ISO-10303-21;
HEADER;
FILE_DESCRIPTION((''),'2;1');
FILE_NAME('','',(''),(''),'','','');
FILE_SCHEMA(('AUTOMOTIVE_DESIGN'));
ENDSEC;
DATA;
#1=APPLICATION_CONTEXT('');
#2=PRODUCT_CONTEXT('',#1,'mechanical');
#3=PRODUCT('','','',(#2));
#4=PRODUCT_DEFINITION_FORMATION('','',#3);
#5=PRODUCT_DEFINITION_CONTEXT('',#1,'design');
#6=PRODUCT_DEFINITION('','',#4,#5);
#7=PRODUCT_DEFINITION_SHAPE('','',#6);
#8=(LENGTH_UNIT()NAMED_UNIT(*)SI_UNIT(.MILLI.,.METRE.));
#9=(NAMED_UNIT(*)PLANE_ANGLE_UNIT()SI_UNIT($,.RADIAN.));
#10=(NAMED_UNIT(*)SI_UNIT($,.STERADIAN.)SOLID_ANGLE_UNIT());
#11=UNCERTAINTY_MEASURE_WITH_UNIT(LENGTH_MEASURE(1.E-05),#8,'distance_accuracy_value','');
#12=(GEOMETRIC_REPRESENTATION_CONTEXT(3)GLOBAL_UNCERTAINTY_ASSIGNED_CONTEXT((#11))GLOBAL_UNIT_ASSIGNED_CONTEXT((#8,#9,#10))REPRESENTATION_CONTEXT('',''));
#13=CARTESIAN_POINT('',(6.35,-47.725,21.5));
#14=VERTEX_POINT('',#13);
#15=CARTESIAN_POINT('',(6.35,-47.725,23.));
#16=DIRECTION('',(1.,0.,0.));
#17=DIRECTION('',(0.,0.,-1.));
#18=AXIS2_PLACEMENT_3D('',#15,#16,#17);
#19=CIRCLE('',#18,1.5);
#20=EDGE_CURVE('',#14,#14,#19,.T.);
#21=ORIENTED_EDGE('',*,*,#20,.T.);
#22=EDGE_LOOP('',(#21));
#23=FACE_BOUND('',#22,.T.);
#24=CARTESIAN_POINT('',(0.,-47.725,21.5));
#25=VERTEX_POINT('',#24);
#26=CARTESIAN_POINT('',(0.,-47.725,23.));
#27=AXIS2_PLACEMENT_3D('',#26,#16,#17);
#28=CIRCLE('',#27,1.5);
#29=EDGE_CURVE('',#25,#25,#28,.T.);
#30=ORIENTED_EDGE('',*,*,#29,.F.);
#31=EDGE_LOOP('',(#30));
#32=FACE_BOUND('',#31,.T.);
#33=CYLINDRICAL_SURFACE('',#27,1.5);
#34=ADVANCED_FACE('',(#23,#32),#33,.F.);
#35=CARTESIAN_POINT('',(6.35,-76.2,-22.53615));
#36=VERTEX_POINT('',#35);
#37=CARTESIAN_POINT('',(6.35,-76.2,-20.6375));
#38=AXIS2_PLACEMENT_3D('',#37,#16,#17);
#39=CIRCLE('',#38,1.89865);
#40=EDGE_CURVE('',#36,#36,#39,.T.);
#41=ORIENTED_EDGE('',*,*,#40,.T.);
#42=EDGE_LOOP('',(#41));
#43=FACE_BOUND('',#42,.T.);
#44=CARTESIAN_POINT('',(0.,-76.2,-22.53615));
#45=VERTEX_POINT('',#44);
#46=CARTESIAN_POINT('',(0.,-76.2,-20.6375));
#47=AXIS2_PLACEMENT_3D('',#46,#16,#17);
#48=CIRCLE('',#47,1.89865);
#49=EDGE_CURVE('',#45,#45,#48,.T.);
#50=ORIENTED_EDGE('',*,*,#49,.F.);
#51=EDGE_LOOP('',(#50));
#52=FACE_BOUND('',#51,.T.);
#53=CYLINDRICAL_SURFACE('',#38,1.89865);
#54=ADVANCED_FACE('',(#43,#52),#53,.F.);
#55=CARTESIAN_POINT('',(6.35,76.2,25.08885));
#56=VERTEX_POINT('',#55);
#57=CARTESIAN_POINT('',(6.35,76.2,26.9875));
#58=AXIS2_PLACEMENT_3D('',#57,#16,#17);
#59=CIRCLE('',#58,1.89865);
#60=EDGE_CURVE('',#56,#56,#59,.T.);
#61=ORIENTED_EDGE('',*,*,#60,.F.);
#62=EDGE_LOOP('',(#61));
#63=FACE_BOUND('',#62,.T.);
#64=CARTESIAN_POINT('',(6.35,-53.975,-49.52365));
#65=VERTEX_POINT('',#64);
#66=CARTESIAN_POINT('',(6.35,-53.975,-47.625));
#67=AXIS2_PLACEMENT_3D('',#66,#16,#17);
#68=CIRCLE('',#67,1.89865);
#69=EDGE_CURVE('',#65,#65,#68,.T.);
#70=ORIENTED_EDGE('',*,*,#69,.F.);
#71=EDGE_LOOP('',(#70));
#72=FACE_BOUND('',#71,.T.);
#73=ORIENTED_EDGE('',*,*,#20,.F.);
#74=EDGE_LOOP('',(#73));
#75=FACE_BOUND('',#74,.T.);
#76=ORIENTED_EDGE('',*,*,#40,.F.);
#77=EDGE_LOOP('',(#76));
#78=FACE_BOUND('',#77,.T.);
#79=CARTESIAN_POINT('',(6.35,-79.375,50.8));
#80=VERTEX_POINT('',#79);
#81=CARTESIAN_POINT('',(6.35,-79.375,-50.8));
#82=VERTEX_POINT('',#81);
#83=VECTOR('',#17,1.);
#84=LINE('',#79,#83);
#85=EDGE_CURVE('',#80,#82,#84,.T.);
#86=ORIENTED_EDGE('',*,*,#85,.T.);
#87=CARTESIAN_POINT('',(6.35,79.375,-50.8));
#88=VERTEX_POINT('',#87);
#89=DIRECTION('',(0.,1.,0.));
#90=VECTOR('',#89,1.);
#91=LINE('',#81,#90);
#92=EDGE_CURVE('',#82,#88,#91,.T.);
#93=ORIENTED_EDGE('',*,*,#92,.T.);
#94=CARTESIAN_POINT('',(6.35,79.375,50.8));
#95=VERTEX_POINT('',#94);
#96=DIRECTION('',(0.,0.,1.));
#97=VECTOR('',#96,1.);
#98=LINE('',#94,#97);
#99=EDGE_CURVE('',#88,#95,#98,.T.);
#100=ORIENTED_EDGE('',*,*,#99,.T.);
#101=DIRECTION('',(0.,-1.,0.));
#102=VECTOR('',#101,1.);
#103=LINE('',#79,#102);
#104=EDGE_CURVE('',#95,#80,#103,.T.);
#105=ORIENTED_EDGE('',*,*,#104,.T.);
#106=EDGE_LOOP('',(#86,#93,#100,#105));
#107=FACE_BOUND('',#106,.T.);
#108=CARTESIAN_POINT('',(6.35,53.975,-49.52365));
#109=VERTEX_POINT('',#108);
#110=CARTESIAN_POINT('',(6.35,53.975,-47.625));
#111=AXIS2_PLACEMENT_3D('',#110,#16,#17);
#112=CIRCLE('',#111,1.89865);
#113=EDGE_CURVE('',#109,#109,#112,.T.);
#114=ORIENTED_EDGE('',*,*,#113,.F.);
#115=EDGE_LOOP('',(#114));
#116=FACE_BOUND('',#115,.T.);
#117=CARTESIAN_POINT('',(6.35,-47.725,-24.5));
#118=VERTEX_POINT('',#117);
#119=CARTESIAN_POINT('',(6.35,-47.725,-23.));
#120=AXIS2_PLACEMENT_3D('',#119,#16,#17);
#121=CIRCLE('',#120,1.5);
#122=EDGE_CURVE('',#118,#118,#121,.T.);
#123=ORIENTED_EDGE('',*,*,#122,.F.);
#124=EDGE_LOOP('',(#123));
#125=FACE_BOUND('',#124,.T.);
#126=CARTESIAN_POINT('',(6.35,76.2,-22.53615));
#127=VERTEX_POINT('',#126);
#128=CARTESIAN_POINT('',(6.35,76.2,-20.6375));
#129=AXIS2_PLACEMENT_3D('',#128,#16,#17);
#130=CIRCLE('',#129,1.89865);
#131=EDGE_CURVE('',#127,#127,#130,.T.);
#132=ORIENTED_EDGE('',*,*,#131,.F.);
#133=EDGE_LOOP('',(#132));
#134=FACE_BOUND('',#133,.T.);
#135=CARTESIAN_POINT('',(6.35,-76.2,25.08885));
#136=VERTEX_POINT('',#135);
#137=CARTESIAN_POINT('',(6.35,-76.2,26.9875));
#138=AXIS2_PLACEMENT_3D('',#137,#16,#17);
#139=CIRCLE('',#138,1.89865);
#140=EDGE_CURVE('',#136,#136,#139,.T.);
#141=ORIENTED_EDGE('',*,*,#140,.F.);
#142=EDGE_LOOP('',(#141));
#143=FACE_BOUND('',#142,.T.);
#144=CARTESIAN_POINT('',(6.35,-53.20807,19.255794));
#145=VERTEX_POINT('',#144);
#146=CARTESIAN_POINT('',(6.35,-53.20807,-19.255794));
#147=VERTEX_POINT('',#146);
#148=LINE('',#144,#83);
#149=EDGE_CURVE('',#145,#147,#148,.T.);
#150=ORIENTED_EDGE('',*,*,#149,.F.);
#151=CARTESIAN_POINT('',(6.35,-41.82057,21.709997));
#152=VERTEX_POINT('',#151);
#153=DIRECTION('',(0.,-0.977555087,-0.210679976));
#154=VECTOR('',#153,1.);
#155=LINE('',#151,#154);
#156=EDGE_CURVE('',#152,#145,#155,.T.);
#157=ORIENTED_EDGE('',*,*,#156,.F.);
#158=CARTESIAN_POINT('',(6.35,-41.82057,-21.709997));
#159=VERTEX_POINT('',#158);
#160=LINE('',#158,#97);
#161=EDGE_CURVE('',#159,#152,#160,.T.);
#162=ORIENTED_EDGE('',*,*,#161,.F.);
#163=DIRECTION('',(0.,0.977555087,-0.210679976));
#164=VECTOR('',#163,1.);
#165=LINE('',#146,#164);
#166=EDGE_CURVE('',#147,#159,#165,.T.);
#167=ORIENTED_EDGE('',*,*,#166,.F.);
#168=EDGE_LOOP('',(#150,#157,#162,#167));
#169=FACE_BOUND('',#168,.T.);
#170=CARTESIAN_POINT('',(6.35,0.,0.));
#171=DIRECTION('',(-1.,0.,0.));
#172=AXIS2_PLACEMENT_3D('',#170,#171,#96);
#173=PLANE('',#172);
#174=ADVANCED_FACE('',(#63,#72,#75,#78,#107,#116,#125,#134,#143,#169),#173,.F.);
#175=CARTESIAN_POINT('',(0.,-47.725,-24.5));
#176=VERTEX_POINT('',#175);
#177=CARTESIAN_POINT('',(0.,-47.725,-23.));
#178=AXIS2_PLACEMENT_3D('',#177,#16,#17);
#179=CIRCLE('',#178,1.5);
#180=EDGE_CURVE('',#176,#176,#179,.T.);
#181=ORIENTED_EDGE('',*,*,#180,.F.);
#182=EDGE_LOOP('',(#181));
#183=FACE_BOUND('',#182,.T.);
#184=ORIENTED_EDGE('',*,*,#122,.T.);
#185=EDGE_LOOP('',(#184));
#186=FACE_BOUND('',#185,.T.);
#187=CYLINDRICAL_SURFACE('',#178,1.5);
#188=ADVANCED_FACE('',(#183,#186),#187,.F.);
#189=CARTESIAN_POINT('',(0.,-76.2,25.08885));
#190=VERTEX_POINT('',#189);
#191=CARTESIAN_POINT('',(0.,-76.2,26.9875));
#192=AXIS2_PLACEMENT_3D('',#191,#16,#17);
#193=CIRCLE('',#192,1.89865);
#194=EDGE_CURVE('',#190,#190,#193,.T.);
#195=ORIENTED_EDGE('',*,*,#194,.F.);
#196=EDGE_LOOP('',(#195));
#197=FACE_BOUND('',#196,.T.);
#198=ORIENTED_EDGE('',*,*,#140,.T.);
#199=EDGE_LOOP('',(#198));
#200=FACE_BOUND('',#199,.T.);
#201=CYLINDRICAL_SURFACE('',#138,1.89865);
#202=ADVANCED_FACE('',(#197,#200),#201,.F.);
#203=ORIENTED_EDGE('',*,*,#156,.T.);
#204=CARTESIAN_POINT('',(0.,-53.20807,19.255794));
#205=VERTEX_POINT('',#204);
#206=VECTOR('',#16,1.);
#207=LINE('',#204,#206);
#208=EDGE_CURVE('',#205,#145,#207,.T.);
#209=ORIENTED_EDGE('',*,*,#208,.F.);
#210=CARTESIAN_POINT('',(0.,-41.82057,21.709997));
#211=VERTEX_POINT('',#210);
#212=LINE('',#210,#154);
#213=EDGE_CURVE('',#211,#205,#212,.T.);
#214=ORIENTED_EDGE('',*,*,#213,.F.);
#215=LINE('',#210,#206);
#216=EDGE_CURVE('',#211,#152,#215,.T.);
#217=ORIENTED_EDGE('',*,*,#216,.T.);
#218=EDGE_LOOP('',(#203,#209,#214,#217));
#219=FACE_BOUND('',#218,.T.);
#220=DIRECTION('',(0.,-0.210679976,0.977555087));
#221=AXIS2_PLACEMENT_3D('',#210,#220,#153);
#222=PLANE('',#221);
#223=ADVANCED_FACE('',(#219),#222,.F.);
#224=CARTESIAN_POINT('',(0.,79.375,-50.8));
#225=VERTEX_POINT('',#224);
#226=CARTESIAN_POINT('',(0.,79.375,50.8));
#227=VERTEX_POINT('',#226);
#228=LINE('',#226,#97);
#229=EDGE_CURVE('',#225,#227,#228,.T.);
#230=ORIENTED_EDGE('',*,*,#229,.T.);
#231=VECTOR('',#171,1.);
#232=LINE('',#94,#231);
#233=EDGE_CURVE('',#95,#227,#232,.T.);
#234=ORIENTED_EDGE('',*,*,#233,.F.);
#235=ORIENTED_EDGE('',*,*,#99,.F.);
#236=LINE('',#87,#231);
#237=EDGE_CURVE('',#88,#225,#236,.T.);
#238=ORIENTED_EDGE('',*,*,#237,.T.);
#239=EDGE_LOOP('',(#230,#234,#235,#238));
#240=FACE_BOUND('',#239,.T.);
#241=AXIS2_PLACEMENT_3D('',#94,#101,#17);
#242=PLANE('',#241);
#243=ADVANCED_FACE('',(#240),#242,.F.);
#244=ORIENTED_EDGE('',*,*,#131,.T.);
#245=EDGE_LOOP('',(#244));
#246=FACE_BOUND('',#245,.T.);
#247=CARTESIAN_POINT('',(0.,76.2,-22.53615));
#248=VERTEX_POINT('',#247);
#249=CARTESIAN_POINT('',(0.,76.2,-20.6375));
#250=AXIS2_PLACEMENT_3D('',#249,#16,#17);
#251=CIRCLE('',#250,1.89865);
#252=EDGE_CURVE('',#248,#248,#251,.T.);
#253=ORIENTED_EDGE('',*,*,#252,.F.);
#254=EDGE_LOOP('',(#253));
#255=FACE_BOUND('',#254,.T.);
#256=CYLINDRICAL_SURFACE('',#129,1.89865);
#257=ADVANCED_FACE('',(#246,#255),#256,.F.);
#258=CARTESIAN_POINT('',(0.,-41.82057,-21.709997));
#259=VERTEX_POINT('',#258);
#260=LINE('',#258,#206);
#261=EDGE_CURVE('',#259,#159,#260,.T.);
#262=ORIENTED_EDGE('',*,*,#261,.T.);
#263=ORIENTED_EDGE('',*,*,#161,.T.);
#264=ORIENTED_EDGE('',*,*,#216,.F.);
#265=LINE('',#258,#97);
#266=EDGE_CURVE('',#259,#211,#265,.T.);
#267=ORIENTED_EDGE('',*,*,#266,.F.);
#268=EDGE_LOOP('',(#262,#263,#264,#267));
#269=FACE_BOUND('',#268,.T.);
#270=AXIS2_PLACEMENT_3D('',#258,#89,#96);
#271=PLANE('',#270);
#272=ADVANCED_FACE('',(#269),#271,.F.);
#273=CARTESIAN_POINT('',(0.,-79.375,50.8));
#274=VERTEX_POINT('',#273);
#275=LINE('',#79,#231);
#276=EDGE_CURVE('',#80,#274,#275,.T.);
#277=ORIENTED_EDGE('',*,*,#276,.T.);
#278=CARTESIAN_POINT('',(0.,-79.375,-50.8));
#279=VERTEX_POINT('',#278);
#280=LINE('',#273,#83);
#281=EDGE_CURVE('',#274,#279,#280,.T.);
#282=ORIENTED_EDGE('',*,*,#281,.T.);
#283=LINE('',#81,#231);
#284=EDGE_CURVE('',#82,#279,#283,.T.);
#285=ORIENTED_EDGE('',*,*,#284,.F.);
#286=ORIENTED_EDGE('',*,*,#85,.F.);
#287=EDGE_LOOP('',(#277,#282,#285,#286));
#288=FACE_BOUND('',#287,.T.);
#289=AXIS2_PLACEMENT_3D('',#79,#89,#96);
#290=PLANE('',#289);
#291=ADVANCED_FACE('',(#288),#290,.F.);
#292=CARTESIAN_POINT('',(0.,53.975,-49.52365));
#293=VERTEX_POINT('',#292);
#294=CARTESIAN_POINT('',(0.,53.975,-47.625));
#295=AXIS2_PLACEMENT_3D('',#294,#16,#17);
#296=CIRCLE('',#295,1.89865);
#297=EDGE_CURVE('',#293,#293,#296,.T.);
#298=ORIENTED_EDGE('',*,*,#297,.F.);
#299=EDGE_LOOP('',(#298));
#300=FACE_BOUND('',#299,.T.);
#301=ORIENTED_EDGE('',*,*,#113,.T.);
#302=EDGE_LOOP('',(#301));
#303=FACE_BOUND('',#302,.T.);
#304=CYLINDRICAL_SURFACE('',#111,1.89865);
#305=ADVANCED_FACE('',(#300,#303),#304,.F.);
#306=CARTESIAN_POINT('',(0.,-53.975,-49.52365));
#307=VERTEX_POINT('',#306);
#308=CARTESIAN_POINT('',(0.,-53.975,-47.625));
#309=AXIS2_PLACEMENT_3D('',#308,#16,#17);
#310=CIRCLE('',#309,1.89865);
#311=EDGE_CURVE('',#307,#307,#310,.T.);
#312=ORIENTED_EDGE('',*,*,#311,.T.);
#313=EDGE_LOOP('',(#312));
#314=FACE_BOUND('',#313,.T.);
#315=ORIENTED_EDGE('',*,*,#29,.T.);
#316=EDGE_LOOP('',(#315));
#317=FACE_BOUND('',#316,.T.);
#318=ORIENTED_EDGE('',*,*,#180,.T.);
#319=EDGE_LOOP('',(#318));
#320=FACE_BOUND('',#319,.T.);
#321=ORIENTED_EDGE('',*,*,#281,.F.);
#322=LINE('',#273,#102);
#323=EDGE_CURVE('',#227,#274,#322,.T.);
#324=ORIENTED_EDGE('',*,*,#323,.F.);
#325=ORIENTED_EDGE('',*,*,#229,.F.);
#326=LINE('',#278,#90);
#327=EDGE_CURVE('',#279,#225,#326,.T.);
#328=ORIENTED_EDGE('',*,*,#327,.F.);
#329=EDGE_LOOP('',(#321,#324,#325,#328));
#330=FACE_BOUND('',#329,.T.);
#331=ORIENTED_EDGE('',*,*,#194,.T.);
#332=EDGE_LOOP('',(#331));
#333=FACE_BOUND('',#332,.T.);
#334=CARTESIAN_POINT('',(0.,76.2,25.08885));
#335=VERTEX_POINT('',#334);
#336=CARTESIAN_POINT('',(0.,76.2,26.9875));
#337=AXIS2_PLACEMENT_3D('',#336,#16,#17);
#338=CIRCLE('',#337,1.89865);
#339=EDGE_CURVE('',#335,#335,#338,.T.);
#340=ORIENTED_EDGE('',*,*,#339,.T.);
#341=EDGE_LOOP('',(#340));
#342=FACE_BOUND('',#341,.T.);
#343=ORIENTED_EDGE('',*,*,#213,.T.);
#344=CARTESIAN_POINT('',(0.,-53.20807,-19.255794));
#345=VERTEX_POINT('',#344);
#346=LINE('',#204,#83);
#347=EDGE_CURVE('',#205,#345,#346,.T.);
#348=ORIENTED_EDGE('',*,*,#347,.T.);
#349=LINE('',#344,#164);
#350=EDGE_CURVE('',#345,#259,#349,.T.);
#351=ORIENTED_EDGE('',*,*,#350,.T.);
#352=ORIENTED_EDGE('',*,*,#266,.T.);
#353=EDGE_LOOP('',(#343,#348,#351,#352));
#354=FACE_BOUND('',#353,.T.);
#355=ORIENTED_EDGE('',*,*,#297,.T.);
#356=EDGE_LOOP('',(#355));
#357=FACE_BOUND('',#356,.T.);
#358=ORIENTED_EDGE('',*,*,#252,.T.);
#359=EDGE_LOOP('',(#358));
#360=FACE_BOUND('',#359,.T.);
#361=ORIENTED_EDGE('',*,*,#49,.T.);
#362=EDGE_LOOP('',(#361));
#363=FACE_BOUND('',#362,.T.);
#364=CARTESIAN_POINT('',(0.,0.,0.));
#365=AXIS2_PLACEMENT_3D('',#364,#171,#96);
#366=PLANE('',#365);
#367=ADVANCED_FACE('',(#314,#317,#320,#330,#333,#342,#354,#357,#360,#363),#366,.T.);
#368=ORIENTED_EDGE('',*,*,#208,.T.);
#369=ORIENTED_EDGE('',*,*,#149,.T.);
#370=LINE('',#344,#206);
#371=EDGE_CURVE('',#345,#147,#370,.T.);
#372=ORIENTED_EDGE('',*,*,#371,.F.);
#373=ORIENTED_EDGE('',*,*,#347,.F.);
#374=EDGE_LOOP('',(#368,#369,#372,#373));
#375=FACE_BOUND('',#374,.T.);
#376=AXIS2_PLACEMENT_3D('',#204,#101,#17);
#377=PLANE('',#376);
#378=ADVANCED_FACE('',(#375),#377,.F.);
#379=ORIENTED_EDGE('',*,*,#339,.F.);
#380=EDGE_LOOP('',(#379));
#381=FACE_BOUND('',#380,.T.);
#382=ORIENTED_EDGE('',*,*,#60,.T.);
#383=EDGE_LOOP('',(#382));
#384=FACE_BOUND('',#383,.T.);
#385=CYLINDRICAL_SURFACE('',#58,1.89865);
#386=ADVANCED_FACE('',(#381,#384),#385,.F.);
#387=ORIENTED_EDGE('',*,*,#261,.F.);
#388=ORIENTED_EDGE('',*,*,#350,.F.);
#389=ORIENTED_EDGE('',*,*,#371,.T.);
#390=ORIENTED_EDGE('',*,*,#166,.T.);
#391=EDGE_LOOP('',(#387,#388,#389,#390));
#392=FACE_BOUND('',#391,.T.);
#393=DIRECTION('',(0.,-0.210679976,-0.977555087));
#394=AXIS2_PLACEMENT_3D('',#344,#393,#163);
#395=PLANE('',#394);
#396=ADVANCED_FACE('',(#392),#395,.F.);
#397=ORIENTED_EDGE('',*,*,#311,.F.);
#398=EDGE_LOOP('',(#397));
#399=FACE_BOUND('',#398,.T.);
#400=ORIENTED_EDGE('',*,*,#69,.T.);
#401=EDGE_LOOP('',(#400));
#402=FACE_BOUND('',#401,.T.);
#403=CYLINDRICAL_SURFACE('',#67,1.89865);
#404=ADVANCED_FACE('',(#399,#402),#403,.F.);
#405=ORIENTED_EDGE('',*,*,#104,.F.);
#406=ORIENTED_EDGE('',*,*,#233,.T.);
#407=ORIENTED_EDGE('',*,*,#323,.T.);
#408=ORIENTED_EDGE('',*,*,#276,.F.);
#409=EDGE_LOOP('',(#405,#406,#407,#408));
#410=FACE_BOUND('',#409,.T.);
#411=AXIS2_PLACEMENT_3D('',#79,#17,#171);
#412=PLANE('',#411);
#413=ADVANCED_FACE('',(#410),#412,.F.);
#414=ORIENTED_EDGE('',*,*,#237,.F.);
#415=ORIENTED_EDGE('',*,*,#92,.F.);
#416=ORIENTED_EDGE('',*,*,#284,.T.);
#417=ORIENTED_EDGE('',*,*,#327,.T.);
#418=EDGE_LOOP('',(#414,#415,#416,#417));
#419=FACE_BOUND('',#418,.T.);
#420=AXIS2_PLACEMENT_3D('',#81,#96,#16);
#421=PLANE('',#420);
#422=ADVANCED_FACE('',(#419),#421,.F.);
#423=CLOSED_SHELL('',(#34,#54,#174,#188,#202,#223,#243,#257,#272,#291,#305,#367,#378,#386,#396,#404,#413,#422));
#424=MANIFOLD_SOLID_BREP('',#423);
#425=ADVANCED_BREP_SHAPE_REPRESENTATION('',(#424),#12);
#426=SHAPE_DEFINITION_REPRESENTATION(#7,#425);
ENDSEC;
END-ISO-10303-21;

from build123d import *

# Parameters (mm, degrees)
SKETCH1_W             = 101.6
SKETCH1_H             = 158.75
BOSS_EXTRUDE1_DEPTH   = 6.35
SKETCH2_R             = 1.5
CUT_EXTRUDE1_DEPTH    = 95.452914857
CUT_EXTRUDE2_DEPTH    = 95.452914857
F_6_CLEARANCE_HOLE1_D = 3.7973


with BuildPart() as part:
    # Sketch1 → Boss-Extrude1 (new body)
    with BuildSketch(Plane(origin=(0, 0, 0), x_dir=(0, 0, -1), z_dir=(1, 0, 0))):
        Rectangle(SKETCH1_W, SKETCH1_H)
    extrude(amount=BOSS_EXTRUDE1_DEPTH)

    # Sketch2 → Cut-Extrude1 (cut, through all)
    with BuildSketch(Plane(origin=(6.35, 0, 0), x_dir=(0, 0, -1), z_dir=(1, 0, 0))):
        with Locations((23, -47.725)):
            Circle(SKETCH2_R)
        with Locations((-23, -47.725)):
            Circle(SKETCH2_R)
    extrude(amount=-CUT_EXTRUDE1_DEPTH, mode=Mode.SUBTRACT)

    # Sketch3 → Cut-Extrude2 (cut, through all)
    with BuildSketch(Plane(origin=(6.35, 0, 0), x_dir=(0, 0, -1), z_dir=(1, 0, 0))):
        Polygon((-21.709996503, -41.820570024), (-19.255793917, -53.208070024), (19.255793917, -53.208070024), (21.709996503, -41.820570024), align=None)
    extrude(amount=-CUT_EXTRUDE2_DEPTH, mode=Mode.SUBTRACT)

    # #6 Clearance Hole1 (through all)
    with Locations(Plane(origin=(6.35, 0, 0), x_dir=(0, 0, -1), z_dir=(1, 0, 0))):
        with Locations((47.625, -53.975), (-26.9875, 76.2), (20.6375, 76.2), (-26.9875, -76.2), (20.6375, -76.2), (47.625, 53.975)):
            Hole(F_6_CLEARANCE_HOLE1_D / 2)


solid = part.part
